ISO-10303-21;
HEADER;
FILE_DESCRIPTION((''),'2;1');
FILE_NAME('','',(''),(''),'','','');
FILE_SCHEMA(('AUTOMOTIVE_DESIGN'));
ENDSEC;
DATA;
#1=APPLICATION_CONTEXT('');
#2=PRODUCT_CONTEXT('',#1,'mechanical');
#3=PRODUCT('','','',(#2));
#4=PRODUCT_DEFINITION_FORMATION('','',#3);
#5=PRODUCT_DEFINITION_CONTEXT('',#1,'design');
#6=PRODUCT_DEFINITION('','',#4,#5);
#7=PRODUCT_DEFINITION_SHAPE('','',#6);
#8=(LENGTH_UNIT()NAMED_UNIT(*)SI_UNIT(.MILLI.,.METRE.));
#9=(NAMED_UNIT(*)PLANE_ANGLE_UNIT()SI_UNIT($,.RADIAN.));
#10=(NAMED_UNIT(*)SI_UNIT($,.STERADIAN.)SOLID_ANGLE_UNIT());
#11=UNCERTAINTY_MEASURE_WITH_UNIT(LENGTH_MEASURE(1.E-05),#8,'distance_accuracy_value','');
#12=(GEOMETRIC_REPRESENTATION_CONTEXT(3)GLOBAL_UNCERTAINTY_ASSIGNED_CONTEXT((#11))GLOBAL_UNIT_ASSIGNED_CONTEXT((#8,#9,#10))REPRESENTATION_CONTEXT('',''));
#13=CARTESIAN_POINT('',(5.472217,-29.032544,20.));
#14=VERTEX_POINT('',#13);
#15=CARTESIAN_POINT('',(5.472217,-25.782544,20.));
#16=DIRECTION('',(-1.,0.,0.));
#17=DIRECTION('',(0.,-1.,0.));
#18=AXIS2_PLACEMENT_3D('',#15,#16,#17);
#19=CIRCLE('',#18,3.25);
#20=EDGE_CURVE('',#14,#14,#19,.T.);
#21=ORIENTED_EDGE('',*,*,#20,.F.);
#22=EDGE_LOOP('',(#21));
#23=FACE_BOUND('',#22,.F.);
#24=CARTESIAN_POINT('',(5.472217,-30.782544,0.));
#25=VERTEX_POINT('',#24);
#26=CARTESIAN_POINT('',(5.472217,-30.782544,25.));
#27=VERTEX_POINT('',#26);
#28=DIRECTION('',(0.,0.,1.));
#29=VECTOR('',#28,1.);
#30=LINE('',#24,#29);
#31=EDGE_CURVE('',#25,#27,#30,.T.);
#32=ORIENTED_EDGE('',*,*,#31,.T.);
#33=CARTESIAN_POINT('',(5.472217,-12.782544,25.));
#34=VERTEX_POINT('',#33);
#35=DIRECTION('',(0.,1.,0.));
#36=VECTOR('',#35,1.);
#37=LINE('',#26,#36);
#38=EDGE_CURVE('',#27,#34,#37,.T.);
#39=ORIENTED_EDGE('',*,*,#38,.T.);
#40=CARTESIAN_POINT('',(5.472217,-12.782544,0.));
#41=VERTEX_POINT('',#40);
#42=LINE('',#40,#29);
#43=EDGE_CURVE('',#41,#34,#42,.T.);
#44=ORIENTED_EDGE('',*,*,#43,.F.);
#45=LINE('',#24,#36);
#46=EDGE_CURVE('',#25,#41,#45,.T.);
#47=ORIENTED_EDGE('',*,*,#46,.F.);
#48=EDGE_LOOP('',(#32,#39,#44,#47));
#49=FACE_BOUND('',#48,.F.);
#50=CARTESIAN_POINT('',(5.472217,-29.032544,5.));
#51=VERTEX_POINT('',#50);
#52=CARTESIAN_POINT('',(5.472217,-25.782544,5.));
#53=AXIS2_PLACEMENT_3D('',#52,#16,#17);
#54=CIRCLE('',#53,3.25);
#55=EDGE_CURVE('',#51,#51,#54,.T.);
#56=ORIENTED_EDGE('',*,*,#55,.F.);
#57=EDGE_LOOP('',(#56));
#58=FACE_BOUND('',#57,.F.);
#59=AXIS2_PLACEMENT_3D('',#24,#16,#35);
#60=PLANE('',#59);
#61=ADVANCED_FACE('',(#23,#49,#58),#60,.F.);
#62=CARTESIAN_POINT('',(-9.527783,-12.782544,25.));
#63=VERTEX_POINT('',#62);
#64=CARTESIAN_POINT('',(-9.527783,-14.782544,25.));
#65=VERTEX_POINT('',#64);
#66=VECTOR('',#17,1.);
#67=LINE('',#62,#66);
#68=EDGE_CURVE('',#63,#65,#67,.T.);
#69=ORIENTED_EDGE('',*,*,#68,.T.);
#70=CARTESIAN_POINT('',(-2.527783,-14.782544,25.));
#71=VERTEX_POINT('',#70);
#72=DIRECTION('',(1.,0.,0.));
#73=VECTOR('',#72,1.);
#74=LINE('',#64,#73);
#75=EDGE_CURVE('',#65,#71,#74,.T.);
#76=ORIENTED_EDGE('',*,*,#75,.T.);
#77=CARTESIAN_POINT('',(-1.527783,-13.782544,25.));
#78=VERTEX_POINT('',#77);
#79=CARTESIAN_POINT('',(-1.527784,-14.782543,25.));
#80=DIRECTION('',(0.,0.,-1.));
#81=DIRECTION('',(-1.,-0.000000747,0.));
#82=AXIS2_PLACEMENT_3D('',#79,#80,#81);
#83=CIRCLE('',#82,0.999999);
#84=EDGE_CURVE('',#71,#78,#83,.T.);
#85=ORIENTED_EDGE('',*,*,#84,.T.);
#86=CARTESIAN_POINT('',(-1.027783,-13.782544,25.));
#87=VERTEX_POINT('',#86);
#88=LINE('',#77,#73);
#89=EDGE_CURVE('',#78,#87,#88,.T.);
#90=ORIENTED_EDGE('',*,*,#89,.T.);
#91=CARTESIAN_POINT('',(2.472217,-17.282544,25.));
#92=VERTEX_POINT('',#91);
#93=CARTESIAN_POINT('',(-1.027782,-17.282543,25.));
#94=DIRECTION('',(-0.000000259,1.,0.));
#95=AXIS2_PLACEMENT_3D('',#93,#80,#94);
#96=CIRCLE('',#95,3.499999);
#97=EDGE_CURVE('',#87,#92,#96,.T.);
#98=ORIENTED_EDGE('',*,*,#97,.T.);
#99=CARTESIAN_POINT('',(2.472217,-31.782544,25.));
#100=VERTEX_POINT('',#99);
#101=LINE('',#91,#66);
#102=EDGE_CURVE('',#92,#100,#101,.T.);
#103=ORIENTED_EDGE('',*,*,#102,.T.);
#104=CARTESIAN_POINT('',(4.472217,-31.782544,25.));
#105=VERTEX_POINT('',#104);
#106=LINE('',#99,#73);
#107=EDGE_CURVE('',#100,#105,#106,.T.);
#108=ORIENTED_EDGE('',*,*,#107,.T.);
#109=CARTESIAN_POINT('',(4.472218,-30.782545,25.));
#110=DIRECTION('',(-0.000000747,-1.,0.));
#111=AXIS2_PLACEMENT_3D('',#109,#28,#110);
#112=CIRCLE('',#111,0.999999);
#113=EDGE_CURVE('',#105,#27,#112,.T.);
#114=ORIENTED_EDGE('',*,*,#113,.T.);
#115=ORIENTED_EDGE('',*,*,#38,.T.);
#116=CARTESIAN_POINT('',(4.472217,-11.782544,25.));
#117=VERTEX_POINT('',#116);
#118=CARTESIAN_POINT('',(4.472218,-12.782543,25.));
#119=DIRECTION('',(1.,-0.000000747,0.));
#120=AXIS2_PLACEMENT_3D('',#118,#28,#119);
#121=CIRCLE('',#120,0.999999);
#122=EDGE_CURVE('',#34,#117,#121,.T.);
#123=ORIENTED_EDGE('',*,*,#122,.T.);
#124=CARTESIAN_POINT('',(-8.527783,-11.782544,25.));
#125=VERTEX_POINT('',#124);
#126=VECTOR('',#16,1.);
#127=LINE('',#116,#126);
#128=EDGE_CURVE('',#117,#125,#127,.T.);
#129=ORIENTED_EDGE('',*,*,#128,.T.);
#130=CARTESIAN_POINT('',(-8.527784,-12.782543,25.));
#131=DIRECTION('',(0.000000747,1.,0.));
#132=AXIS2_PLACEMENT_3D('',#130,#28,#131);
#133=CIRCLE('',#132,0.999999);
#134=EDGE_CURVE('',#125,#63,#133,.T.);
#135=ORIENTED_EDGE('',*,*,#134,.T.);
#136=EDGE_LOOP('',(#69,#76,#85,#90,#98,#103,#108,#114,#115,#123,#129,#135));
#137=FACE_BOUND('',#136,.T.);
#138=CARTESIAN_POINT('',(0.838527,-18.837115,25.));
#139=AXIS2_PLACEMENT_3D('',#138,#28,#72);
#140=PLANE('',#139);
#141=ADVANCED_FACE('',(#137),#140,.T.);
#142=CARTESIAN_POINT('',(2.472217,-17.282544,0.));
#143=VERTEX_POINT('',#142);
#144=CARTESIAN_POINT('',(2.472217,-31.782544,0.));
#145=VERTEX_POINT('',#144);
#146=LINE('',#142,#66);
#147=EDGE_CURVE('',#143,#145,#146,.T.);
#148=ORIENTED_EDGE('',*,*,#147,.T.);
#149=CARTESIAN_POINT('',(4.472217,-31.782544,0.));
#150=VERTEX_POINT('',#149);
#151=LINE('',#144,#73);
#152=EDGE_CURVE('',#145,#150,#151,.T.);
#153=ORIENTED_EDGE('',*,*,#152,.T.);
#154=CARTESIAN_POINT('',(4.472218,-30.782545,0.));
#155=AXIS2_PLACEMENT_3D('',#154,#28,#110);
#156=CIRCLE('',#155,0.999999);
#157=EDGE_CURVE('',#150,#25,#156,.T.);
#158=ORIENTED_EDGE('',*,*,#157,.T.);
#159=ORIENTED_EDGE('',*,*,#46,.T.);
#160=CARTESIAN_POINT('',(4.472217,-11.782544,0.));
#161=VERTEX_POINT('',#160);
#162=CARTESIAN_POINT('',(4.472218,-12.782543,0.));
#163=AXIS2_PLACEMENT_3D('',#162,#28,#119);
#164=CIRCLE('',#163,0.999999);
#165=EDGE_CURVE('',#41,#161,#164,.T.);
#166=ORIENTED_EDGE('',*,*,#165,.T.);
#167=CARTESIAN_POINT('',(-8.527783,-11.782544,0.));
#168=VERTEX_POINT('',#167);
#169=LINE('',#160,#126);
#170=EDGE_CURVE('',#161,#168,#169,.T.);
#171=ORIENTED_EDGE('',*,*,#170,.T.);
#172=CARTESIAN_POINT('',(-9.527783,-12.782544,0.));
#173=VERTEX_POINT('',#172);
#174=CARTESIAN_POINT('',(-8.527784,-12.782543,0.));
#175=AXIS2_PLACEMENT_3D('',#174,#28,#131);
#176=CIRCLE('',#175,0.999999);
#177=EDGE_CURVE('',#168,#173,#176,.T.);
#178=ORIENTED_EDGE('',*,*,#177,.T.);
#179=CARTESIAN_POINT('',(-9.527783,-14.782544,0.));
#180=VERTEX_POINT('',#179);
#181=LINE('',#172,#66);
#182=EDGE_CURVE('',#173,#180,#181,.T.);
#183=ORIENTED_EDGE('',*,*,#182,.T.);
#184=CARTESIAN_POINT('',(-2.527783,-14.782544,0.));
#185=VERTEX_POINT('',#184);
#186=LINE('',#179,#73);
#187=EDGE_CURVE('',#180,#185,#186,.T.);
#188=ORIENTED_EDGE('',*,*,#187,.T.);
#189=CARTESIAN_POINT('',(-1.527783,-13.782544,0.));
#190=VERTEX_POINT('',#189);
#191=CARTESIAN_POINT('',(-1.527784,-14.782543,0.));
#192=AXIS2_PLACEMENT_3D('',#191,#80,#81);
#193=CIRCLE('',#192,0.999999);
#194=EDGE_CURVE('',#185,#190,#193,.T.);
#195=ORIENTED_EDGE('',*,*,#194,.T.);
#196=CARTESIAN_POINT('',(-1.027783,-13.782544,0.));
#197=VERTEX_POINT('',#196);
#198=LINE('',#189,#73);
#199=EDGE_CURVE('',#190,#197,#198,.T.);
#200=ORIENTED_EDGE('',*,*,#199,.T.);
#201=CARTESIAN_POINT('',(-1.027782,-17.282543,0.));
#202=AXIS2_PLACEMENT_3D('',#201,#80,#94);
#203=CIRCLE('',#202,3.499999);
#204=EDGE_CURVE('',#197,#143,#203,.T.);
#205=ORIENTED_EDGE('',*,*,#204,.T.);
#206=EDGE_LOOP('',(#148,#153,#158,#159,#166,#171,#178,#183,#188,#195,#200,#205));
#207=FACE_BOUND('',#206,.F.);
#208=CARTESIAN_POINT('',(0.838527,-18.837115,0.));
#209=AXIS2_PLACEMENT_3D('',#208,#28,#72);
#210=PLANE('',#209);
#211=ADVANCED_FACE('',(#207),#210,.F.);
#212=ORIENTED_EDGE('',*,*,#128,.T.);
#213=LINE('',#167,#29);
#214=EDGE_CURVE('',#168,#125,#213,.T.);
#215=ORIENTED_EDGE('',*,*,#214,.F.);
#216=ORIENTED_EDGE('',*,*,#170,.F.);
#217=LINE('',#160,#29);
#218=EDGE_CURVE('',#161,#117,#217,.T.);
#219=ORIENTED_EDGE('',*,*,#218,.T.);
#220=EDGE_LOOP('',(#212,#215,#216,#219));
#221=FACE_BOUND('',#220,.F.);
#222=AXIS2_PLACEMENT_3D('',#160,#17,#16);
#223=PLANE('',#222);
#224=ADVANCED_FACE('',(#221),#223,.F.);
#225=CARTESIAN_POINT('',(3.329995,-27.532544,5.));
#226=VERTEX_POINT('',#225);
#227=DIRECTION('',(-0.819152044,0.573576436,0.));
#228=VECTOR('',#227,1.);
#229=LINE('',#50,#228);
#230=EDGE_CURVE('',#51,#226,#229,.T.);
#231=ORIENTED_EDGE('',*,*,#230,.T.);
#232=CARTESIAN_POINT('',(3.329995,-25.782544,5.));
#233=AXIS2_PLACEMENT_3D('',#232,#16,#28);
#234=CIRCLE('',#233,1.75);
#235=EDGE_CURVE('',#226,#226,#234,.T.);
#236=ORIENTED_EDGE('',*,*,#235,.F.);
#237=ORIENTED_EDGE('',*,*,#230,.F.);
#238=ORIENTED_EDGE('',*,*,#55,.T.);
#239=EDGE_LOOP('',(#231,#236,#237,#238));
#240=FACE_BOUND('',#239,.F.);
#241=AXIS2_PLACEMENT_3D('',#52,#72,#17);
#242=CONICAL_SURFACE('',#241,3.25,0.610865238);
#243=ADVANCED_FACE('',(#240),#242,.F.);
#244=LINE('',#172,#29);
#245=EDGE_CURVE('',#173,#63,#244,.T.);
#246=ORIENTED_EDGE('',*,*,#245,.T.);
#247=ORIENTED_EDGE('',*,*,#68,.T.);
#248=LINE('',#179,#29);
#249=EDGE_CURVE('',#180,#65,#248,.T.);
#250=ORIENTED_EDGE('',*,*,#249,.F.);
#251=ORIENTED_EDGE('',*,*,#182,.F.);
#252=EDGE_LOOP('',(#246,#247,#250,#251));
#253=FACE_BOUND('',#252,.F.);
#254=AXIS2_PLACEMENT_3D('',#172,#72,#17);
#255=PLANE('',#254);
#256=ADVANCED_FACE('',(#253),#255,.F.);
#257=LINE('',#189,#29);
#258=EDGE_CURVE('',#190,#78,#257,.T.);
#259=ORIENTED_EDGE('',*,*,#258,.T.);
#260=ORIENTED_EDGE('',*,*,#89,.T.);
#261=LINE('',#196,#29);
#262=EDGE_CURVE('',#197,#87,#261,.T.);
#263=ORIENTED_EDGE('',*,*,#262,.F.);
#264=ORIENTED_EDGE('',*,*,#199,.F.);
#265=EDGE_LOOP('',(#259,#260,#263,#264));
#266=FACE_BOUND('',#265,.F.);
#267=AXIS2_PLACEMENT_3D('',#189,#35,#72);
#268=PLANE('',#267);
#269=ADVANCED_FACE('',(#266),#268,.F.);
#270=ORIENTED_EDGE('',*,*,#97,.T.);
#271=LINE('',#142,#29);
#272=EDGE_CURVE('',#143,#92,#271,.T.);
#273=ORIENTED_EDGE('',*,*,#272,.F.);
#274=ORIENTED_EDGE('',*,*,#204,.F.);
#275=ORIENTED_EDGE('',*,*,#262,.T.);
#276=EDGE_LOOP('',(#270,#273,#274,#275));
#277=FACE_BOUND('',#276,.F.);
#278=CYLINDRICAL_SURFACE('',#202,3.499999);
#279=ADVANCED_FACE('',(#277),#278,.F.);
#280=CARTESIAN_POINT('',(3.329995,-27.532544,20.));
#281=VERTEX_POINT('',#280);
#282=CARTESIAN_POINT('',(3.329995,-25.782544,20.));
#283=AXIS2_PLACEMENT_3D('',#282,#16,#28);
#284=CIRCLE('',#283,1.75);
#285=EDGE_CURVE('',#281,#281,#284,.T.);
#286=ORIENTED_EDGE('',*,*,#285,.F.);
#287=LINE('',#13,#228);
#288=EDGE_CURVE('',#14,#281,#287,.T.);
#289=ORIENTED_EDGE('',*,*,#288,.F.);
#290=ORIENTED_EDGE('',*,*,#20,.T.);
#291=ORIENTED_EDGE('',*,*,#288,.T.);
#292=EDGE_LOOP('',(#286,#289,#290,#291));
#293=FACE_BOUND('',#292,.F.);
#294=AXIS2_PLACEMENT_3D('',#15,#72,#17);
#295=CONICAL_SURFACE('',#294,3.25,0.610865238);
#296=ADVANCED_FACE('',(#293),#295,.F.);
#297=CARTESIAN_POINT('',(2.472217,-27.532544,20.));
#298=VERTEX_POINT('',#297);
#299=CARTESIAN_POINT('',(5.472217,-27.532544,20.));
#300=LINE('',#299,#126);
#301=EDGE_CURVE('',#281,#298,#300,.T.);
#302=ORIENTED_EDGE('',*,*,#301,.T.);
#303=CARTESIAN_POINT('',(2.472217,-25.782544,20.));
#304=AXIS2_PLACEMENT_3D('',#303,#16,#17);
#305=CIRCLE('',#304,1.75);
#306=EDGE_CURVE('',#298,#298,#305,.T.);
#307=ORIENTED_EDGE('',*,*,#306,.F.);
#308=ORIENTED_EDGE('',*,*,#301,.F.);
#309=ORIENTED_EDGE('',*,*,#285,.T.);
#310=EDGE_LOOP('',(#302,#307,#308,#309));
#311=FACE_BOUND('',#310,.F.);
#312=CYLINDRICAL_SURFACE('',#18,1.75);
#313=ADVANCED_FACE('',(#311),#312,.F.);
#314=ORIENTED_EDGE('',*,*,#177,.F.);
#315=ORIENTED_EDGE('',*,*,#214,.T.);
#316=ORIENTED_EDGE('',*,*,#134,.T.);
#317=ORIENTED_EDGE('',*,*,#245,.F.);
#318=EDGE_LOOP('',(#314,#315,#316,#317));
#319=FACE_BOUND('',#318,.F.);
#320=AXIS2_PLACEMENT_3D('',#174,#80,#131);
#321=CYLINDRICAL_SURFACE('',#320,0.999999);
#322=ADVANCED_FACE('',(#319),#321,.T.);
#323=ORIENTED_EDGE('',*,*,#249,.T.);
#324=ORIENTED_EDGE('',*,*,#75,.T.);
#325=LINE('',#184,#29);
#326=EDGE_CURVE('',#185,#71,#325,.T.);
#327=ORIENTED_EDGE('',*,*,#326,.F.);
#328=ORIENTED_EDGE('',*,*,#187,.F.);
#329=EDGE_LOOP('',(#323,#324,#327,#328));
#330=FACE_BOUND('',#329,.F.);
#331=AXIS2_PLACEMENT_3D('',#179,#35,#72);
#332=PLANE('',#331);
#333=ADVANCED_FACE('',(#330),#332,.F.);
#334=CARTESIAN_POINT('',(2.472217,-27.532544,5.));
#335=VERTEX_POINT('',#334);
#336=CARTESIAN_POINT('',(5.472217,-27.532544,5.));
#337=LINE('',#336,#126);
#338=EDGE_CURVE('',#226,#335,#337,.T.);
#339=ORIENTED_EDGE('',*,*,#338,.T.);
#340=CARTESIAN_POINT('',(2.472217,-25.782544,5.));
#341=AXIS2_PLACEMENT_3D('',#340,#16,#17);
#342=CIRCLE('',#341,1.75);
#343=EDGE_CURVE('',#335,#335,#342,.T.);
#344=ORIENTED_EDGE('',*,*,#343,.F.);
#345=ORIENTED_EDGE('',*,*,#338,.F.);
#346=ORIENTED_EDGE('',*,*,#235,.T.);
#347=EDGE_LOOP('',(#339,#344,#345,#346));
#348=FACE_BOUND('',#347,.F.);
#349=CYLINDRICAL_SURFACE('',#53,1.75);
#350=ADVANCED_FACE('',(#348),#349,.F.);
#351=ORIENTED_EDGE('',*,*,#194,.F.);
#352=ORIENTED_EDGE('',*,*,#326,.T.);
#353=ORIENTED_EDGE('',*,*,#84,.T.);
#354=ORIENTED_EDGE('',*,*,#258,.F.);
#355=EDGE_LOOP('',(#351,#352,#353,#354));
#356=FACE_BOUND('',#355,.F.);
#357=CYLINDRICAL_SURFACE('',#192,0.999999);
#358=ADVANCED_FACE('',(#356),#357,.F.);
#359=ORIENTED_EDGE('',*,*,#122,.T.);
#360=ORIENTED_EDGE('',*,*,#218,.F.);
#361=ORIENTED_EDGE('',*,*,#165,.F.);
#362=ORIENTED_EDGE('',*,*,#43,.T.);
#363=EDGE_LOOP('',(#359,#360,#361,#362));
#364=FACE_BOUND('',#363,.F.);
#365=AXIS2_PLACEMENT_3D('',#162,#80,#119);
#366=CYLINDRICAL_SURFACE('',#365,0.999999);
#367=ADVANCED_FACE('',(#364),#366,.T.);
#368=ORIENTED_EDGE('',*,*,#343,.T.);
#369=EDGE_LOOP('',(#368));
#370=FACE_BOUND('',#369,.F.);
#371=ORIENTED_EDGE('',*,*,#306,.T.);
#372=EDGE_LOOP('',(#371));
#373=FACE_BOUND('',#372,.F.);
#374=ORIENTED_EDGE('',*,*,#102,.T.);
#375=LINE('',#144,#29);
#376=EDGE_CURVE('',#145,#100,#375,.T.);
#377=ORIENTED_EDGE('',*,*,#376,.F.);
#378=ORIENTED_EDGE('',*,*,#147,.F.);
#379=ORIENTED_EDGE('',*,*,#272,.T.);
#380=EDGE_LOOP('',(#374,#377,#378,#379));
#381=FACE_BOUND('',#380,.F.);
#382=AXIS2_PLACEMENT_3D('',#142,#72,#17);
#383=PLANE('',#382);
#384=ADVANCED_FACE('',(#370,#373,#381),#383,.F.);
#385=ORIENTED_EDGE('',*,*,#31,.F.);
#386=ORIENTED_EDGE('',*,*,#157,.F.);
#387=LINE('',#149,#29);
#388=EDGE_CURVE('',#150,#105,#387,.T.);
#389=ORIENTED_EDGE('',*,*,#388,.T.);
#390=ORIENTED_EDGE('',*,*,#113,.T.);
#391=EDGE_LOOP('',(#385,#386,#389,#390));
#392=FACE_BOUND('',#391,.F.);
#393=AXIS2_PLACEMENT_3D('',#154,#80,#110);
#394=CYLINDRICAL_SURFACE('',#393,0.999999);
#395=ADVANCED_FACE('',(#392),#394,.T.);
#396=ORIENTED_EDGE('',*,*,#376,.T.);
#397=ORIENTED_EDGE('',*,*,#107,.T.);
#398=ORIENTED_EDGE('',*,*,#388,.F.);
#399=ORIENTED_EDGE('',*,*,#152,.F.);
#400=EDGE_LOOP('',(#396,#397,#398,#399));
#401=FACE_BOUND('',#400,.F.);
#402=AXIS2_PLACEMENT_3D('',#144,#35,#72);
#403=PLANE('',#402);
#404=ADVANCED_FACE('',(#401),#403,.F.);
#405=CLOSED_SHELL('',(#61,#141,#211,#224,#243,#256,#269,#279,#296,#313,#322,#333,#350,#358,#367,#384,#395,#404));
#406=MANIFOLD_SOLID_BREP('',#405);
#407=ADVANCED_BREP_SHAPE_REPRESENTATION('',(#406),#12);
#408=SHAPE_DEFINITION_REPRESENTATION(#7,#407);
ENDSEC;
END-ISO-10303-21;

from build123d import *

# Parameters (mm, degrees)
F1_DEPTH       = 25
F3_D           = 3.5
F3_CSINK_D     = 6.5
F3_CSINK_ANGLE = 70


with BuildPart() as f1:
    # F0 (on Top) → F1 (new body)
    with BuildSketch(Plane.XY):
        with BuildLine():
            Line((4.472217, -11.782544), (-8.527783, -11.782544))
            ThreePointArc((-8.527783, -11.782544), (-9.23489, -12.075437), (-9.527783, -12.782544))
            Line((-9.527783, -12.782544), (-9.527783, -14.782544))
            Line((-9.527783, -14.782544), (-2.527783, -14.782544))
            ThreePointArc((-2.527783, -14.782544), (-2.23489, -14.075437), (-1.527783, -13.782544))
            Line((-1.527783, -13.782544), (-1.027783, -13.782544))
            ThreePointArc((-1.027783, -13.782544), (1.447091, -14.80767), (2.472217, -17.282544))
            Line((2.472217, -17.282544), (2.472217, -31.782544))
            Line((2.472217, -31.782544), (4.472217, -31.782544))
            ThreePointArc((4.472217, -31.782544), (5.179324, -31.489651), (5.472217, -30.782544))
            Line((5.472217, -30.782544), (5.472217, -12.782544))
            ThreePointArc((5.472217, -12.782544), (5.179324, -12.075437), (4.472217, -11.782544))
        make_face()
    extrude(amount=F1_DEPTH)

    # F3 (through all)
    with Locations(Plane.YZ.offset(5.472217)):
        with Locations((-25.782544, 20), (-25.782544, 5)):
            CounterSinkHole(F3_D / 2, F3_CSINK_D / 2, counter_sink_angle=F3_CSINK_ANGLE)


solid = f1.part
